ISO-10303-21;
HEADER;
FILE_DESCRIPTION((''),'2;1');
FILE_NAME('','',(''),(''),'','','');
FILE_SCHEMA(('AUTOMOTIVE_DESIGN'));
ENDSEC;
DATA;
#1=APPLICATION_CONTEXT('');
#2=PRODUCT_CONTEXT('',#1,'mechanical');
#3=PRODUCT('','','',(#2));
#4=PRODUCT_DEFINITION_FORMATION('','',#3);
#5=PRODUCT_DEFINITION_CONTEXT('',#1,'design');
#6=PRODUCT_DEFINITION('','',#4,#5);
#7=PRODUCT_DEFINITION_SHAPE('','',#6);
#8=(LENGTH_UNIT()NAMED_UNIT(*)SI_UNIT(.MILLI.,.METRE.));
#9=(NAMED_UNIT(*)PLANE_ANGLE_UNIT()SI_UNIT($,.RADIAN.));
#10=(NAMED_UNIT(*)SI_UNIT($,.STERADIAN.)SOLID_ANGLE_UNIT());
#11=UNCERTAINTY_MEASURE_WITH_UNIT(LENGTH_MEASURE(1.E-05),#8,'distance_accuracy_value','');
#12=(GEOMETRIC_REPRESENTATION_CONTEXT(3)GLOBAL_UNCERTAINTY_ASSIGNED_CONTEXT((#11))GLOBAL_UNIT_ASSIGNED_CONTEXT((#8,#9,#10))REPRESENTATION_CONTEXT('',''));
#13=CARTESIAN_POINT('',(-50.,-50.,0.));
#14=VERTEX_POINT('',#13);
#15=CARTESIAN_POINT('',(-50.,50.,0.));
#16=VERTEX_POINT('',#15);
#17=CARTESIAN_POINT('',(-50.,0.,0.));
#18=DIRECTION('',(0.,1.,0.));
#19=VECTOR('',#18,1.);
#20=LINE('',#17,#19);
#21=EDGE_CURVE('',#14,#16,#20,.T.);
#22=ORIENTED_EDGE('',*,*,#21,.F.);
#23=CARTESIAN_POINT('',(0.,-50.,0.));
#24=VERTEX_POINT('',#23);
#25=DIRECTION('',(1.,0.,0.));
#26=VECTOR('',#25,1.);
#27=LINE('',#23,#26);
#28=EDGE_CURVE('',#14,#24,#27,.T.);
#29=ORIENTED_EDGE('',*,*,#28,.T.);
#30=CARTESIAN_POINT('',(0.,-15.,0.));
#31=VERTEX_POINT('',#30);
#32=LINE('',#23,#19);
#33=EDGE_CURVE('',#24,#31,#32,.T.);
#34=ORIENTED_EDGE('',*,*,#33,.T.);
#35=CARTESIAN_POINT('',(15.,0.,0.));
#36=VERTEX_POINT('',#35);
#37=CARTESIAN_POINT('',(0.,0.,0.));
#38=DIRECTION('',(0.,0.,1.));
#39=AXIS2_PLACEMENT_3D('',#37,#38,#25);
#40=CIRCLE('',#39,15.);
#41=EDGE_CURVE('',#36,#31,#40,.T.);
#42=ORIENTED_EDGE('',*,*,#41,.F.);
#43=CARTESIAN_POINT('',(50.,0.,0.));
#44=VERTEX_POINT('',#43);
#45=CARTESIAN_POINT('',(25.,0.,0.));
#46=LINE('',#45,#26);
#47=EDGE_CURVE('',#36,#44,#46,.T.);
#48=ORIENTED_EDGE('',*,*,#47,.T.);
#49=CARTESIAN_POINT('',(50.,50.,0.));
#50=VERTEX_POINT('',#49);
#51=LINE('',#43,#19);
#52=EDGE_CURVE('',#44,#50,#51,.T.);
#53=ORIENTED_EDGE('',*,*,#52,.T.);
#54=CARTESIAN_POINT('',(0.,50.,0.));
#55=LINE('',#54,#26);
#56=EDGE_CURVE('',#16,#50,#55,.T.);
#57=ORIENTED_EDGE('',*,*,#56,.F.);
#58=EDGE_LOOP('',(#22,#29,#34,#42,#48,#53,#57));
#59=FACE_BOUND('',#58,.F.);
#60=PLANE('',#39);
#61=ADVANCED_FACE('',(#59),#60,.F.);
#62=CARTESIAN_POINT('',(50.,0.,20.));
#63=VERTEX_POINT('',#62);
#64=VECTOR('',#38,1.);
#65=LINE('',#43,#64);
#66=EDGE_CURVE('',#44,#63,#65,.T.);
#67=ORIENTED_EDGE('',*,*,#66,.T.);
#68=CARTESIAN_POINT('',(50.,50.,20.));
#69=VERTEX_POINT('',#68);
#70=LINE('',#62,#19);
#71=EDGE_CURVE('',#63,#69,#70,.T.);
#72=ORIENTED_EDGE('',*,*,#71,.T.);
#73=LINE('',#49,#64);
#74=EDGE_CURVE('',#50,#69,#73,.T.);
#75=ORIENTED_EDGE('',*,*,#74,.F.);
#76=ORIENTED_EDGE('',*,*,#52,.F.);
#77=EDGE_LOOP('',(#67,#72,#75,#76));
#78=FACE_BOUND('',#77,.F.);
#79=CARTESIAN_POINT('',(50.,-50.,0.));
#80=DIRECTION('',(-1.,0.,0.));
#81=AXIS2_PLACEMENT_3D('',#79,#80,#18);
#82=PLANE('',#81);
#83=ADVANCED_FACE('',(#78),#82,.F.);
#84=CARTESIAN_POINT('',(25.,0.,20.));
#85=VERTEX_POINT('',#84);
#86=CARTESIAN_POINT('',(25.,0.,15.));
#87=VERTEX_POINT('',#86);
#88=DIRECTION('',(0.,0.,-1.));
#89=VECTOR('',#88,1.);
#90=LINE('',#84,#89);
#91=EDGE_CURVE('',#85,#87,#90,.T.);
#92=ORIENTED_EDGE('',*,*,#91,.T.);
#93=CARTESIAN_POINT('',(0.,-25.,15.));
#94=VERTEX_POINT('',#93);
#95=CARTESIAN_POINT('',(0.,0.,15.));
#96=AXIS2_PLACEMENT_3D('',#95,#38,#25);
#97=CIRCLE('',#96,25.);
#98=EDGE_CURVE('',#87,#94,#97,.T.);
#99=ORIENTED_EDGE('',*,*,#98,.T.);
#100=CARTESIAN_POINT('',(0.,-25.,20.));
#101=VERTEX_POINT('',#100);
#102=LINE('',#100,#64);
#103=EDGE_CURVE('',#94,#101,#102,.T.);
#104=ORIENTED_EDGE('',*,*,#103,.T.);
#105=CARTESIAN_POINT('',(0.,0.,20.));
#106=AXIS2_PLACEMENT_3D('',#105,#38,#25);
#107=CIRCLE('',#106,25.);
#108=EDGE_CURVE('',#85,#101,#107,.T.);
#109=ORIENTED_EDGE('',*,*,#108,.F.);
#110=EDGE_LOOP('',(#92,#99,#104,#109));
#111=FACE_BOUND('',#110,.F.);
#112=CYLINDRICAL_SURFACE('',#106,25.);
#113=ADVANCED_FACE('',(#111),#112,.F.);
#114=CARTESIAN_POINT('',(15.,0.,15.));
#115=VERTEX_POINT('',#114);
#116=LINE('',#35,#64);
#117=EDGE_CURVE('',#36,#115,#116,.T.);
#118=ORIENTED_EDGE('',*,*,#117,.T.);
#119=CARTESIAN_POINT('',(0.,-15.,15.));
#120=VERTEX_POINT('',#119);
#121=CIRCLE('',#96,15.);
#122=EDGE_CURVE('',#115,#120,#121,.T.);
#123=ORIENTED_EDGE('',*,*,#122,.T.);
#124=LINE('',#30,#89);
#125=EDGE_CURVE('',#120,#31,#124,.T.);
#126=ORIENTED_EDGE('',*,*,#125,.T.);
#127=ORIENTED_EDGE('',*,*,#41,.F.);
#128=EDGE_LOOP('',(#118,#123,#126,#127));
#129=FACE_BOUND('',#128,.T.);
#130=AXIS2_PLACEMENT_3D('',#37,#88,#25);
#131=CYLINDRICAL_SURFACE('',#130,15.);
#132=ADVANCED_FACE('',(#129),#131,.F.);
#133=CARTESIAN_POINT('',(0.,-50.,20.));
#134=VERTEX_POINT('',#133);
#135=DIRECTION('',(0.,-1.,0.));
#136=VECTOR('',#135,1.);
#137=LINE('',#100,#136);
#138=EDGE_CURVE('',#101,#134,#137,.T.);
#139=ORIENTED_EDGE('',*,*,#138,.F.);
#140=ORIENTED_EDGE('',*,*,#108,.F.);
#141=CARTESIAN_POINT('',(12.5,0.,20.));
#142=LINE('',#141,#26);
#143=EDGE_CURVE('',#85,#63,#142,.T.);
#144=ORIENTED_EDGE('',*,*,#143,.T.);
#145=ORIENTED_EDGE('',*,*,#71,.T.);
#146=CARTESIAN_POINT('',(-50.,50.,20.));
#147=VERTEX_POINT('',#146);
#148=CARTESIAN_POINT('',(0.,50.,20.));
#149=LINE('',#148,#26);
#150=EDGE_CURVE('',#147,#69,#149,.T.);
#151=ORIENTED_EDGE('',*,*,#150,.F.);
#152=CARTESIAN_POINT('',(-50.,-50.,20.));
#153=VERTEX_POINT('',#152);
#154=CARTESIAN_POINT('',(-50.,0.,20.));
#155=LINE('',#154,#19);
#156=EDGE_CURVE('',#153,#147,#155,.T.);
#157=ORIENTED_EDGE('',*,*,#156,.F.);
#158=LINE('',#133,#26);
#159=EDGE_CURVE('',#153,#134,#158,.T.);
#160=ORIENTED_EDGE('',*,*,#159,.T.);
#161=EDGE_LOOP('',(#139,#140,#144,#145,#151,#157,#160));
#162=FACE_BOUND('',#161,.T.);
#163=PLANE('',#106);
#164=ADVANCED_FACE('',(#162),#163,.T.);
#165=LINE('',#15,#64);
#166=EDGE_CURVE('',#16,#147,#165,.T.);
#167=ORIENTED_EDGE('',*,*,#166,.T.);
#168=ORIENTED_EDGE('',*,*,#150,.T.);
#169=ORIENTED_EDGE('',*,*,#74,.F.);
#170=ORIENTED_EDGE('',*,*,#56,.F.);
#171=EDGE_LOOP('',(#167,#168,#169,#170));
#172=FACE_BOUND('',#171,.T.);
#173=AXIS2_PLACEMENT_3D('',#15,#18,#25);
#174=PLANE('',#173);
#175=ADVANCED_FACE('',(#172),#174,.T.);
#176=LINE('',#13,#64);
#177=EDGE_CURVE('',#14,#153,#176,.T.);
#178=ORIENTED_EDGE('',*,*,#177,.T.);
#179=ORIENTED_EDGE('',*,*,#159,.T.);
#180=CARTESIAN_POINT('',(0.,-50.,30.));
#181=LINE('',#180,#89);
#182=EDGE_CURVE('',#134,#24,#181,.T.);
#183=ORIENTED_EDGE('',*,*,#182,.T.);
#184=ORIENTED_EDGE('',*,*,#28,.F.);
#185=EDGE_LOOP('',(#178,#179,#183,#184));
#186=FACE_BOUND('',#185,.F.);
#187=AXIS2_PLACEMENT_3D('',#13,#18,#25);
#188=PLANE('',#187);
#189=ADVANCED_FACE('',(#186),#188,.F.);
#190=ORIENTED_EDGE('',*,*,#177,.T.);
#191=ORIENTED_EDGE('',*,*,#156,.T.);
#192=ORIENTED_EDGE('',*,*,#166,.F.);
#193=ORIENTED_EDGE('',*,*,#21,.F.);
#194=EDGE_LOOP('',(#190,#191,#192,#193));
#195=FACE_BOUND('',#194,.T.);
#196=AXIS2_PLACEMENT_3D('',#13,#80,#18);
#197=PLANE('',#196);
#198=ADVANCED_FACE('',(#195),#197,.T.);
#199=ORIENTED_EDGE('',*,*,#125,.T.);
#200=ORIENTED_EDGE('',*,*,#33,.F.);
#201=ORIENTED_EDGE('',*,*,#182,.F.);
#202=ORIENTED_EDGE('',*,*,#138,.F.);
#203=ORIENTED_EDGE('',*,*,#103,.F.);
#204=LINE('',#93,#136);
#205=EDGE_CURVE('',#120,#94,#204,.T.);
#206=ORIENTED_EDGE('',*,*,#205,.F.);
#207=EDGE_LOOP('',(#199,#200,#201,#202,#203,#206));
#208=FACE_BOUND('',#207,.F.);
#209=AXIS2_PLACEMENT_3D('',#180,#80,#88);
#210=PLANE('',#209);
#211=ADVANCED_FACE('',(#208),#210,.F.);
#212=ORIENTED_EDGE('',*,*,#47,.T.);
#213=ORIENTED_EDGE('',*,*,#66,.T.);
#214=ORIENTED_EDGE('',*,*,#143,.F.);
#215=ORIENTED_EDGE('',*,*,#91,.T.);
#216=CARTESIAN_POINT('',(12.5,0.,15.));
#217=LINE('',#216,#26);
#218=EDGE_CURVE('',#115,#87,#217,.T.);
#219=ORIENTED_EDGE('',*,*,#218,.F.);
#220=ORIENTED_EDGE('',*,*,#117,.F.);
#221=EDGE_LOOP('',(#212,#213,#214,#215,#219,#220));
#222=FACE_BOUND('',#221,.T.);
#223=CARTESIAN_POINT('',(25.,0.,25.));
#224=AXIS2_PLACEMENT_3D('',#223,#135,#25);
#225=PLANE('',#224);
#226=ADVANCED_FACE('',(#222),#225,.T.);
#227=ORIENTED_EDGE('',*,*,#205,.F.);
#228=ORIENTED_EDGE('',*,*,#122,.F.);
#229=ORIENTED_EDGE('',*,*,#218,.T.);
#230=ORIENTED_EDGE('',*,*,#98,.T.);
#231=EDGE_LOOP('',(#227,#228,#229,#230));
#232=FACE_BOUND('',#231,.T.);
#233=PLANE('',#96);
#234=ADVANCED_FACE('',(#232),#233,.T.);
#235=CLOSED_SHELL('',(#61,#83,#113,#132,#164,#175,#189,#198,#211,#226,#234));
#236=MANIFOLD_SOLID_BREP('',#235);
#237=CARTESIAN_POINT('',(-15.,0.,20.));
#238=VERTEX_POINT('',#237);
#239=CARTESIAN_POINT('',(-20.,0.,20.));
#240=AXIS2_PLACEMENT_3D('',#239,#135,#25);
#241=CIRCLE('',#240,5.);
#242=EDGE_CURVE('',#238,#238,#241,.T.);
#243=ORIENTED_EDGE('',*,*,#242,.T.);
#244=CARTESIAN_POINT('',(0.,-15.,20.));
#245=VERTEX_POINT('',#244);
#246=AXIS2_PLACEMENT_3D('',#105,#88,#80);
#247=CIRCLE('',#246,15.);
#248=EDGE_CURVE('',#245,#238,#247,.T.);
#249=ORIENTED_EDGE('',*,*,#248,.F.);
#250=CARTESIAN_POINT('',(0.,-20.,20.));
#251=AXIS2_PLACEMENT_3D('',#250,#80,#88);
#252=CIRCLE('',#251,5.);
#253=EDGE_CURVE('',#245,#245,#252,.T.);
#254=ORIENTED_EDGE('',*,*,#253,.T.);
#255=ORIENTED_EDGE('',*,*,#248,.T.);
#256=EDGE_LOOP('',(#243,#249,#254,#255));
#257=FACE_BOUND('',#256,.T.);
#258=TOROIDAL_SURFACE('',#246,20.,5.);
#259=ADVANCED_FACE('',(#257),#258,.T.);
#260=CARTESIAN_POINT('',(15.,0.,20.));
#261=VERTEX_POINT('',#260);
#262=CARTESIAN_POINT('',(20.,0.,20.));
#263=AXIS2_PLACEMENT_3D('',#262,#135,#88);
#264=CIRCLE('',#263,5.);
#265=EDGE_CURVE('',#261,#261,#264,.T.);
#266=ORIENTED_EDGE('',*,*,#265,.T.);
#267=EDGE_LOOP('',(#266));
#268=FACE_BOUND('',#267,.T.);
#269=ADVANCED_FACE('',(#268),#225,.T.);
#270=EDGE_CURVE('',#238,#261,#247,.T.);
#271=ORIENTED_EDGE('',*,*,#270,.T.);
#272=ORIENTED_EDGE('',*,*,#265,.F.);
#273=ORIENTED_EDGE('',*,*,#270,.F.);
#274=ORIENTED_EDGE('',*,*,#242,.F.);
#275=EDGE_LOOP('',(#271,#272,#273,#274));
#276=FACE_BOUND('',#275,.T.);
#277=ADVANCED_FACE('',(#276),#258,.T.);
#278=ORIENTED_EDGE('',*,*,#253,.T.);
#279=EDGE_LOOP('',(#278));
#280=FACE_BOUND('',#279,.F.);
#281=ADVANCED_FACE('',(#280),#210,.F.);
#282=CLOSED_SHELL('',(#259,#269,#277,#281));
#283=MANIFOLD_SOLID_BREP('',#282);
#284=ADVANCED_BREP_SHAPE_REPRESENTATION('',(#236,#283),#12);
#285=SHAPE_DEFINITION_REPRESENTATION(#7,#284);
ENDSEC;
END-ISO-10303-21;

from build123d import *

# Parameters (mm, degrees)
F0_W     = 100
F0_H     = 100
F0_R     = 15
F1_DEPTH = 20
F2_R     = 25
F2_R_2   = 15
F3_DEPTH = 5
F4_R     = 5
F6_W     = 50
F6_H     = 10
F6_H_2   = 20
F7_DEPTH = 50


with BuildPart() as f1:
    # F0 (on Top) → F1 (new body)
    with BuildSketch(Plane.XY):
        Rectangle(F0_W, F0_H)
        Circle(F0_R, mode=Mode.SUBTRACT)
    extrude(amount=F1_DEPTH)

    # F2 (on face) → F3 (cut)
    with BuildSketch(Plane.XY.offset(20)):
        Circle(F2_R)
        Circle(F2_R_2, mode=Mode.SUBTRACT)
    extrude(amount=-F3_DEPTH, mode=Mode.SUBTRACT)


with BuildPart() as f5:
    # F4 (on Front) → F5 (revolve)
    with BuildSketch(Plane.XZ):
        with Locations((-20, 20)):
            Circle(F4_R)
    revolve(axis=Axis((0, 0, 0), (0, 0, -1)))


with BuildPart() as f7_tool:
    # F6 (on face) → F7 (new body)
    with BuildSketch(Plane.XZ.offset(50)):
        with Locations((25, 25)):
            Rectangle(F6_W, F6_H)
        with Locations((25, 10)):
            Rectangle(F6_W, F6_H_2)
    extrude(amount=-F7_DEPTH)


with BuildPart() as f1_1:
    add(f1.part)

    # F7: cut by f7_tool
    add(f7_tool.part, mode=Mode.SUBTRACT)


with BuildPart() as f5_1:
    add(f5.part)

    # F7: cut by f7_tool
    add(f7_tool.part, mode=Mode.SUBTRACT)


solid = Compound([f1_1.part, f5_1.part])
